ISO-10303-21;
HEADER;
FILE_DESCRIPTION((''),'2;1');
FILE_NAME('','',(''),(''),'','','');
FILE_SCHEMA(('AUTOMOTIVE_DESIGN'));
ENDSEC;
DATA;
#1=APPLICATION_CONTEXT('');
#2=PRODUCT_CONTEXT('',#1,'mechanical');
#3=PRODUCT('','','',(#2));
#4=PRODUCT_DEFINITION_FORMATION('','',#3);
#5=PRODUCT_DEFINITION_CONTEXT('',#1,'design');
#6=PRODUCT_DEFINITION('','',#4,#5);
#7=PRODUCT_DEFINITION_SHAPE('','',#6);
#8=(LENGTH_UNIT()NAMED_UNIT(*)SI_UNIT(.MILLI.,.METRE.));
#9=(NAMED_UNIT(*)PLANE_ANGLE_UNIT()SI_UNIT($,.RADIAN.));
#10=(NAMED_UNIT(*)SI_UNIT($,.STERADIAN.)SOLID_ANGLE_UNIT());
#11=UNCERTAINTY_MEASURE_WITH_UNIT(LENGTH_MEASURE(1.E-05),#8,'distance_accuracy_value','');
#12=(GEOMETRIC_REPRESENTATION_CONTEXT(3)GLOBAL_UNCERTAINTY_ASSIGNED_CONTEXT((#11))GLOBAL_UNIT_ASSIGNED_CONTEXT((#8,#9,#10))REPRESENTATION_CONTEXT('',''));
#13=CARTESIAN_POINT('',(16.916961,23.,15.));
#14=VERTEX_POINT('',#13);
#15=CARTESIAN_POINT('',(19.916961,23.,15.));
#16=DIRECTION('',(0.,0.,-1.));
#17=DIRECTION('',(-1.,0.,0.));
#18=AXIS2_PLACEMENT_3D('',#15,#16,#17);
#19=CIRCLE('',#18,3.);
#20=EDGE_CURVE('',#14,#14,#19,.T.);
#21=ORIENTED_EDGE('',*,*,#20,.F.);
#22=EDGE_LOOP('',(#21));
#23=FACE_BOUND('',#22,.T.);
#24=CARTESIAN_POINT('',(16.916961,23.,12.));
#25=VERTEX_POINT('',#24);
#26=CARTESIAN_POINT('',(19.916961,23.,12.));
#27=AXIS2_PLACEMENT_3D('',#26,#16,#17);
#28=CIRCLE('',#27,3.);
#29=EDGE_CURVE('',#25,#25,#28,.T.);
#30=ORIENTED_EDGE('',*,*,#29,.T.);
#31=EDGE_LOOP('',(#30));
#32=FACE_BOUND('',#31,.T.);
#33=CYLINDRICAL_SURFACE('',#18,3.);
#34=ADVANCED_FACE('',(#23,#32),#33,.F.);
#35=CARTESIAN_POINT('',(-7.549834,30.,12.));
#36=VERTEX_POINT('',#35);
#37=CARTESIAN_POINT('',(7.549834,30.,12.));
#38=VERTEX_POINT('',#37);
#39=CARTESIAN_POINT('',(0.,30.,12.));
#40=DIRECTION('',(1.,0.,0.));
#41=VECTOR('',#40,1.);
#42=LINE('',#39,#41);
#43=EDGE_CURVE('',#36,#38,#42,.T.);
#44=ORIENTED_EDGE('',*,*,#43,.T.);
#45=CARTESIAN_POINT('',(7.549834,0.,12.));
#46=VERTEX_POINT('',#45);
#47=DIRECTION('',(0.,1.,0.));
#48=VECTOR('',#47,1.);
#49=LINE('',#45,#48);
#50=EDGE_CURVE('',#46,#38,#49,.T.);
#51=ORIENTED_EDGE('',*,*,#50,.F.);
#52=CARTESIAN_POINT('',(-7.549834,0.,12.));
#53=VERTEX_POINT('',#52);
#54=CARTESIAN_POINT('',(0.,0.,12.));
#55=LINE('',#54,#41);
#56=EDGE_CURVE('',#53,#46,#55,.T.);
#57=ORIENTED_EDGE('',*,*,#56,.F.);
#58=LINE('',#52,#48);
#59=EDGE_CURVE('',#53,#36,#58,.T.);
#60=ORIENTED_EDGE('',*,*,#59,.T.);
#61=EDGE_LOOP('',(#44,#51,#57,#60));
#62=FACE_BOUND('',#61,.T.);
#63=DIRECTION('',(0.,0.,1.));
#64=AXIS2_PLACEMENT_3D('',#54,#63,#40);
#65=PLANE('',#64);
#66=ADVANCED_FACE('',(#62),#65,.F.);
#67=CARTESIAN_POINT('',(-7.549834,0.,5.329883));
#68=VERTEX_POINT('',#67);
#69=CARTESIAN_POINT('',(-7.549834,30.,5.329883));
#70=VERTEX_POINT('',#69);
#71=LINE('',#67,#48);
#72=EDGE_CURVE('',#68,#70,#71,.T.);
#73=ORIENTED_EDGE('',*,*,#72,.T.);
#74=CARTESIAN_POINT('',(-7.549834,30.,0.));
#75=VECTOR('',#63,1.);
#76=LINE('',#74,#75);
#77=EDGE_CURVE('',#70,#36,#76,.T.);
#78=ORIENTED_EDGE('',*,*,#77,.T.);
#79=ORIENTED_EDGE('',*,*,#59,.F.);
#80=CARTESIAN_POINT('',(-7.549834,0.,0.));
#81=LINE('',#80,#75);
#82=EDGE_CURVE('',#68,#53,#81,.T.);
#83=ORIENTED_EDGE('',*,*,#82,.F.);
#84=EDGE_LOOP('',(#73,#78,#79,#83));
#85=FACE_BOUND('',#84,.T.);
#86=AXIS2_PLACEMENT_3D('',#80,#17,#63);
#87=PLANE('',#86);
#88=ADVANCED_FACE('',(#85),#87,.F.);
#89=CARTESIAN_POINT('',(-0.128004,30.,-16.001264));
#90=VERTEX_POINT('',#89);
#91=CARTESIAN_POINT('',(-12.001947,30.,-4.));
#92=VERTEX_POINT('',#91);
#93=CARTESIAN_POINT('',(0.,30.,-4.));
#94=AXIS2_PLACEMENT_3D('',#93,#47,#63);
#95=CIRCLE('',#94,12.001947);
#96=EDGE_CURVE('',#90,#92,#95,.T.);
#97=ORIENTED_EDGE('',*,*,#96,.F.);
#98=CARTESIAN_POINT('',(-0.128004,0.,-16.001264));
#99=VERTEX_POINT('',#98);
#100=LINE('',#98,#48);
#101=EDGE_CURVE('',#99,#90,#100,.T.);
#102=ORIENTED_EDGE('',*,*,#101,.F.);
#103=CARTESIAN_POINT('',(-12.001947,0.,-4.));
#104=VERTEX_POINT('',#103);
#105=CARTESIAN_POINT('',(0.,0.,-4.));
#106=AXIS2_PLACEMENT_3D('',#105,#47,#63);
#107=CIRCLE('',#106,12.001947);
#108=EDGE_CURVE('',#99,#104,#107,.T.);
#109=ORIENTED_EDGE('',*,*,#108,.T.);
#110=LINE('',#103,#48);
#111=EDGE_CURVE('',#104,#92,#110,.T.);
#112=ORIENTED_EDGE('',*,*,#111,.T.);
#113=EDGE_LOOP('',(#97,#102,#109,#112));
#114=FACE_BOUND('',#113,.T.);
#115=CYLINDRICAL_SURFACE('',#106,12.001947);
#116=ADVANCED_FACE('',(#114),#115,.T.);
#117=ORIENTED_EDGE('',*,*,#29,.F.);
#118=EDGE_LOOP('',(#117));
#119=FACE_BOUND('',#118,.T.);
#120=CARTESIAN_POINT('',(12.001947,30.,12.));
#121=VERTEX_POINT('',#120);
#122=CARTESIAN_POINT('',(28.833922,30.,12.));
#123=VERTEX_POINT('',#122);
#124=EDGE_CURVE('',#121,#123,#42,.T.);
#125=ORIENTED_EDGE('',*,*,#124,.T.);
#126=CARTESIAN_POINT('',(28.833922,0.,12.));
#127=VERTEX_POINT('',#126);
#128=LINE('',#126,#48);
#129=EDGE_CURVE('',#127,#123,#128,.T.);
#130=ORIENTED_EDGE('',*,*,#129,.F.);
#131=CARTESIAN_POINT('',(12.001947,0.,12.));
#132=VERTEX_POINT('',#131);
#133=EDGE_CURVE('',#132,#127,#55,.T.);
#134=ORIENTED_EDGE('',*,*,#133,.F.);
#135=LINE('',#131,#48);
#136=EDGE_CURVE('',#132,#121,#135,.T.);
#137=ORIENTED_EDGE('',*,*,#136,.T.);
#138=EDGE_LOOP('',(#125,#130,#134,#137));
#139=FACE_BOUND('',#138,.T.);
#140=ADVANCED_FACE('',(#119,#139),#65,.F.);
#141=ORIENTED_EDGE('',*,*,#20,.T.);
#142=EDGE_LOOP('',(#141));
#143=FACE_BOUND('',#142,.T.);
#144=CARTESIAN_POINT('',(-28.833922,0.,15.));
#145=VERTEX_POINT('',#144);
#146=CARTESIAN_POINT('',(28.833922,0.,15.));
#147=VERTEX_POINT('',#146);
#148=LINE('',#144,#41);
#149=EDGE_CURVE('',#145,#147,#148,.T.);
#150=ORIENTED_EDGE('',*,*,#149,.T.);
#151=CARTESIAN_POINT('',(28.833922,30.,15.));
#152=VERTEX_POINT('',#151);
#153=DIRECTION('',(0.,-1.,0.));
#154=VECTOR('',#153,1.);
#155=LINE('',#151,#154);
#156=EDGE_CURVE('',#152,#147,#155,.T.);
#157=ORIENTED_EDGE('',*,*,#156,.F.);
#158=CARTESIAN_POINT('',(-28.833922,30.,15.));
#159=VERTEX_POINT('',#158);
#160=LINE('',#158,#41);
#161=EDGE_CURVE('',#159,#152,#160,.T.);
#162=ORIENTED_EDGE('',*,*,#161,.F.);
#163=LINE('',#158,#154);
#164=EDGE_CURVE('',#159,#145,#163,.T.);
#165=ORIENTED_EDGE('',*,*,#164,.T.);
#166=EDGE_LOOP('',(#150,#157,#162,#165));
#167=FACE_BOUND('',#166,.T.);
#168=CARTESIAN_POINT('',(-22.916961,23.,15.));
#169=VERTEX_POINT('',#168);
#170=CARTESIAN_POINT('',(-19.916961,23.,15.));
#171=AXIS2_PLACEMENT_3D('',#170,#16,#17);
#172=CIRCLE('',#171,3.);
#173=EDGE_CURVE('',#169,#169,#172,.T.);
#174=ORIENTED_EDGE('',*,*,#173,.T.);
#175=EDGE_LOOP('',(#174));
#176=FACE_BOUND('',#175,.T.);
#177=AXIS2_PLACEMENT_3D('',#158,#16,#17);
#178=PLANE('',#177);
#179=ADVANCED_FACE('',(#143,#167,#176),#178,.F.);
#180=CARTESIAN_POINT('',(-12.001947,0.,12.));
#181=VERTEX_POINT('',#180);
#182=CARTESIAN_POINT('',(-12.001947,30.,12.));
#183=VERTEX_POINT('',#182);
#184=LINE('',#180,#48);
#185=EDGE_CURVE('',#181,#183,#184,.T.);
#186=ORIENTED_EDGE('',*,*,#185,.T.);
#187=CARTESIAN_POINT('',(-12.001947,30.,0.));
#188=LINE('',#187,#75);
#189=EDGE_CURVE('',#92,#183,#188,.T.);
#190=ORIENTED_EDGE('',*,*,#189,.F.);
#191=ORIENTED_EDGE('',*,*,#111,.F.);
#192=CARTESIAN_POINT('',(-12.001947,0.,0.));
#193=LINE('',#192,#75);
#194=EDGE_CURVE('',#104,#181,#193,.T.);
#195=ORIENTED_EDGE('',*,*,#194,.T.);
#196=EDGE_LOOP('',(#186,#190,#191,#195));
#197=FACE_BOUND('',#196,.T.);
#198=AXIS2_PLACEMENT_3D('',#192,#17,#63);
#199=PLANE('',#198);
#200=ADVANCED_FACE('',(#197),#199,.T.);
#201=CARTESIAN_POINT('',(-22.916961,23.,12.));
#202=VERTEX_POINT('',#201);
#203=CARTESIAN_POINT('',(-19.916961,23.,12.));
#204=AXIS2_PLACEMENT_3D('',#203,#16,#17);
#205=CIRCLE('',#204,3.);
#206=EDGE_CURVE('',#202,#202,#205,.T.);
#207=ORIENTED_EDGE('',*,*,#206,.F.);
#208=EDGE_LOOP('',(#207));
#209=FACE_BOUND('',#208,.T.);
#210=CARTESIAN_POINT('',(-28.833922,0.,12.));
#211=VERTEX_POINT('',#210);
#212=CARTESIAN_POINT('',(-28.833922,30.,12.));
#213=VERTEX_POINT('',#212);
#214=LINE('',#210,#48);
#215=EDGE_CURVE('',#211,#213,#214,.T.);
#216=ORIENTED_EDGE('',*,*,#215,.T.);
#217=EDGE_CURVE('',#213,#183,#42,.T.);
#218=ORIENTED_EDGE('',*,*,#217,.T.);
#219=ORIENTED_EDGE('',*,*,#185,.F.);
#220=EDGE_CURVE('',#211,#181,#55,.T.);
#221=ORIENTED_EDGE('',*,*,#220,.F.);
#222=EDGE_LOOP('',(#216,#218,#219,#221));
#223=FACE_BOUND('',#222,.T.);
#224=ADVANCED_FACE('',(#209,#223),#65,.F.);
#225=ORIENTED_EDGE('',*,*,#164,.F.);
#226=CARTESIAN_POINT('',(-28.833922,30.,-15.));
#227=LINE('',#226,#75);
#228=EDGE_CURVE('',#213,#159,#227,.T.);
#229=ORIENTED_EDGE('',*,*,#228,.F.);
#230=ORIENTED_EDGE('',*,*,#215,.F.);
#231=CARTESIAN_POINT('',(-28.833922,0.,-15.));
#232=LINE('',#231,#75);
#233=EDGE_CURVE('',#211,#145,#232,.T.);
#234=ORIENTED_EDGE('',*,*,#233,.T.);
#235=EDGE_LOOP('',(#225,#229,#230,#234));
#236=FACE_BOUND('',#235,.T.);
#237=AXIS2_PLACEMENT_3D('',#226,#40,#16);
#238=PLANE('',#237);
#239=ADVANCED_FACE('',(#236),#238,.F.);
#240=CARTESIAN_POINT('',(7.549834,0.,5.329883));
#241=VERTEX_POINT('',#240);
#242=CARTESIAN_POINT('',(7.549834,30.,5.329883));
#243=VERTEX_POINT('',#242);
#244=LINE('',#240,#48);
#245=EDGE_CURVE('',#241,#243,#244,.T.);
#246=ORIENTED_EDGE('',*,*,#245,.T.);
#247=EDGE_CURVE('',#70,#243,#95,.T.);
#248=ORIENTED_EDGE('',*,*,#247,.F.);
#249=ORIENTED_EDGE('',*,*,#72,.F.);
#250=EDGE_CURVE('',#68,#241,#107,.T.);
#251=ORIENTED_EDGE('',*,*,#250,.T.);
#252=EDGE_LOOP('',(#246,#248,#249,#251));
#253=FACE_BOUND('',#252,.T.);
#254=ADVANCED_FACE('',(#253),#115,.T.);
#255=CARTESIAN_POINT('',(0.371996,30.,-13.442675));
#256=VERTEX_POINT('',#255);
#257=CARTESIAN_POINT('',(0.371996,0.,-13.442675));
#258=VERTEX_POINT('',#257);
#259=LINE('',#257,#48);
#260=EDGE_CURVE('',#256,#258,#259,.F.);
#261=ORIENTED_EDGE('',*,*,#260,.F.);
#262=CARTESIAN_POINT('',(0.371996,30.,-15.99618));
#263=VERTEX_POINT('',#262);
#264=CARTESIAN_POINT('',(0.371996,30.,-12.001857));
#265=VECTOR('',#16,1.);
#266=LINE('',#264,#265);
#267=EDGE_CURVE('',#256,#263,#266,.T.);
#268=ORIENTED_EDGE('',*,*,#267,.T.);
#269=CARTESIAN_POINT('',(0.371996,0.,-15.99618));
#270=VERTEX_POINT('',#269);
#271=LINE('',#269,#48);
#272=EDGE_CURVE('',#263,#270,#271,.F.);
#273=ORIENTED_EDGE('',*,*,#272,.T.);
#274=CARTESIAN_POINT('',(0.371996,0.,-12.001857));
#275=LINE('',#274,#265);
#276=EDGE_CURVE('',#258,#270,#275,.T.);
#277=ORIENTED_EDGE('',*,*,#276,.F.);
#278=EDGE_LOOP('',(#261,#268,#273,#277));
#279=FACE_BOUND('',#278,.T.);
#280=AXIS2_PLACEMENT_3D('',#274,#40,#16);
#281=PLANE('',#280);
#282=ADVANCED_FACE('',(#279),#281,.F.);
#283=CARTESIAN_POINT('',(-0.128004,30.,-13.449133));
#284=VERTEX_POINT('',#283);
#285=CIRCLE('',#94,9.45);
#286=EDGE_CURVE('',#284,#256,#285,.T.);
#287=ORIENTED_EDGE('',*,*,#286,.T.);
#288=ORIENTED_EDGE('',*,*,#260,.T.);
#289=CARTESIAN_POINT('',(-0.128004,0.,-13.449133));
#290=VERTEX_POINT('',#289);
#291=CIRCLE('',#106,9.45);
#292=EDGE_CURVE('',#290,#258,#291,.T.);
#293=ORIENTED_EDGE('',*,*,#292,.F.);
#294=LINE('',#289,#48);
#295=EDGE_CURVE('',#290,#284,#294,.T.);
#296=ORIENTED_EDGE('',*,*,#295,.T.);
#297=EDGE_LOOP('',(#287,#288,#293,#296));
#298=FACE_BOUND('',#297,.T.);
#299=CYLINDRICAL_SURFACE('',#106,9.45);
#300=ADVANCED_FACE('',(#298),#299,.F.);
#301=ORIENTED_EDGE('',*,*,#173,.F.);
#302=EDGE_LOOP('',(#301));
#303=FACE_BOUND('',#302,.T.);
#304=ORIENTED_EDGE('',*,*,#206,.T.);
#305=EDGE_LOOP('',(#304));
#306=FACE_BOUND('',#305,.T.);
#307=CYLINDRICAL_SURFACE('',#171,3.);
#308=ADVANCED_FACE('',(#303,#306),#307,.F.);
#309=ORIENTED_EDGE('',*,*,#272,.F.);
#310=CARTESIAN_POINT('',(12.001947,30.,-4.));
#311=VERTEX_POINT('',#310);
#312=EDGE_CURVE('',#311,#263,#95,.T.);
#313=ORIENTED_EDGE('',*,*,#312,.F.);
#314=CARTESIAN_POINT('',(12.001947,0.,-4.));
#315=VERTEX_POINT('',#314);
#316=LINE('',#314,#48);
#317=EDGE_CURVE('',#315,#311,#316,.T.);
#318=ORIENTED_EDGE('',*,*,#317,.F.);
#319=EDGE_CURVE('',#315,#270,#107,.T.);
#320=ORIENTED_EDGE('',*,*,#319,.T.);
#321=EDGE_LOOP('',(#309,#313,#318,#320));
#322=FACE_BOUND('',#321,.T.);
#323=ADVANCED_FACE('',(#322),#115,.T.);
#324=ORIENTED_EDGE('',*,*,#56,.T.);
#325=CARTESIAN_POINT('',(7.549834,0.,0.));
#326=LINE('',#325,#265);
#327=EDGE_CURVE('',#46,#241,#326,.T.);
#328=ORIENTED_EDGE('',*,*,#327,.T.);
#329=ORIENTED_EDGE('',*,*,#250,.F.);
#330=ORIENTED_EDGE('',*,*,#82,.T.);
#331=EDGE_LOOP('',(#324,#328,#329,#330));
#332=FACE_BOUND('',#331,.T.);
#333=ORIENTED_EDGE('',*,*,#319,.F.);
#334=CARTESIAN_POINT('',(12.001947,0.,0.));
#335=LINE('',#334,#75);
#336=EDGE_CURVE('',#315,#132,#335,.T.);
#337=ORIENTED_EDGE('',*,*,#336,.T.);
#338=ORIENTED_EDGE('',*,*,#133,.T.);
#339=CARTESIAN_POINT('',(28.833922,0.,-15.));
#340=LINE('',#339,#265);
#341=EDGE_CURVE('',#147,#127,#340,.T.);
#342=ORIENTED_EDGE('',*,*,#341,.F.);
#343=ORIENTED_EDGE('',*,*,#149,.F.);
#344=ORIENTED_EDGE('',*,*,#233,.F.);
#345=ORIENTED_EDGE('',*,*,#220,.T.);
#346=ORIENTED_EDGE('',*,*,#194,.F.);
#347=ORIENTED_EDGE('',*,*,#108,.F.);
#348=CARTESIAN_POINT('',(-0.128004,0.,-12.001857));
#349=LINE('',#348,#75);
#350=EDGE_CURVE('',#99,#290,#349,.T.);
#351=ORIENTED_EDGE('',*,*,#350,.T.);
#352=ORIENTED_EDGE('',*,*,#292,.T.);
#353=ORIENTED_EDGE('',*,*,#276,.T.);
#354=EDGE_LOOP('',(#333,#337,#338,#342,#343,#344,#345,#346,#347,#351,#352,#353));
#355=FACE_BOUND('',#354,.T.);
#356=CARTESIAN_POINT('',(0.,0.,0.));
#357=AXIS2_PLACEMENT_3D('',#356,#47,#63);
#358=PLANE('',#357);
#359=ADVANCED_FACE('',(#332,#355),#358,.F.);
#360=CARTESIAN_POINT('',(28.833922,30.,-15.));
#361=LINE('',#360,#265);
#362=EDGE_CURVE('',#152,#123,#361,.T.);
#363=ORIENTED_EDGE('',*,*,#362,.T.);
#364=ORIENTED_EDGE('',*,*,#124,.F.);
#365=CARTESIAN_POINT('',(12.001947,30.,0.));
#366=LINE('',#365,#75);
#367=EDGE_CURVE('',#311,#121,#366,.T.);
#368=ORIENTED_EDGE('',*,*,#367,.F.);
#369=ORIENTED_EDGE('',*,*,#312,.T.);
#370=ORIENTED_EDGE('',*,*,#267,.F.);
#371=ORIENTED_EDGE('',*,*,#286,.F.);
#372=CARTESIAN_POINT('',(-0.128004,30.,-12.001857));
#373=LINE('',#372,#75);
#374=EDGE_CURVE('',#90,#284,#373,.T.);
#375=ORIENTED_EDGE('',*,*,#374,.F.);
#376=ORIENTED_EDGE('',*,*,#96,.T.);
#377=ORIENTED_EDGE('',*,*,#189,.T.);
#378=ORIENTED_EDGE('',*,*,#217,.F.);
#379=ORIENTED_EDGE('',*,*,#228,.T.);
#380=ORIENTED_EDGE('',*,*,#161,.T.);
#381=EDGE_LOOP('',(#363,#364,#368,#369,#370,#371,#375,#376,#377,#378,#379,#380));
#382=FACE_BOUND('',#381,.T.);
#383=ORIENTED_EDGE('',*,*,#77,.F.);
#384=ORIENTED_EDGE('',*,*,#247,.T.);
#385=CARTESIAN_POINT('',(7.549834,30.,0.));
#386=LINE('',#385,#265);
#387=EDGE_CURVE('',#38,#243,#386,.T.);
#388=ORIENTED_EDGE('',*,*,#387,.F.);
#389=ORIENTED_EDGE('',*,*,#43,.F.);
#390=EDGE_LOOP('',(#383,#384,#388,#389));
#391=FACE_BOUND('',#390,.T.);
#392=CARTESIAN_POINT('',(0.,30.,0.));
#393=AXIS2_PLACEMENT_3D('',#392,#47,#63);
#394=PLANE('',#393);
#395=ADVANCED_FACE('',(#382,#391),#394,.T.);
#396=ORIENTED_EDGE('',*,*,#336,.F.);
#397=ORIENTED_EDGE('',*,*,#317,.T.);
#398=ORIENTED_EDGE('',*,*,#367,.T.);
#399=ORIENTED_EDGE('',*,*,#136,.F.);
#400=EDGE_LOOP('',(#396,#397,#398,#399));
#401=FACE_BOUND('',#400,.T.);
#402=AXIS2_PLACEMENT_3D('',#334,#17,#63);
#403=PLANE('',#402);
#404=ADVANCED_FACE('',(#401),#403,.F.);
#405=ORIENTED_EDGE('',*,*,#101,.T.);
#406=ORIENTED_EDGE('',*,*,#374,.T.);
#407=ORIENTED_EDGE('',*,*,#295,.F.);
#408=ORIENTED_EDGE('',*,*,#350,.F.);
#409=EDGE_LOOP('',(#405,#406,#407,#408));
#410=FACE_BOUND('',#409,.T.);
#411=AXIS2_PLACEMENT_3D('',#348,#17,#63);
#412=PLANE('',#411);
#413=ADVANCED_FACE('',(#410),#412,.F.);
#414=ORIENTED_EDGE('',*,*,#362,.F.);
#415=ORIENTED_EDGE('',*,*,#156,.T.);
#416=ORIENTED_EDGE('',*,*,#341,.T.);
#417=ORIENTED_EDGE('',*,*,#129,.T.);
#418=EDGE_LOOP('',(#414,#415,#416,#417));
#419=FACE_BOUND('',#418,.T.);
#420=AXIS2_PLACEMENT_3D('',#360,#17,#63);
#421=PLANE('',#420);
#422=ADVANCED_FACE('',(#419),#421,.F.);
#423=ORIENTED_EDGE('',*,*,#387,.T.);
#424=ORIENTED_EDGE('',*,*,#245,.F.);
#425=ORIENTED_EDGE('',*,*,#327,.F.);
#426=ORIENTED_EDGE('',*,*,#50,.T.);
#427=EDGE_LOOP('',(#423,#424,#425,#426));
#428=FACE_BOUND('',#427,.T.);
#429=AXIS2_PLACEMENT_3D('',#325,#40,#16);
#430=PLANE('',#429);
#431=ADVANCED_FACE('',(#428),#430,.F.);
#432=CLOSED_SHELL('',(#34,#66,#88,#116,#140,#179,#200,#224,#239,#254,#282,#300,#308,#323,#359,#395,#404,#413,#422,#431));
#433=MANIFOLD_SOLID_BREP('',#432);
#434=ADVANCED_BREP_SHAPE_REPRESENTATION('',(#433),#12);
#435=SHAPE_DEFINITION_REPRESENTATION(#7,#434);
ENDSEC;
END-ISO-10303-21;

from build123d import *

# Parameters (mm, degrees)
SKETCH1_W           = 57.667844522
SKETCH1_H           = 30
BOSS_EXTRUDE1_DEPTH = 30
SKETCH2_R           = 4
CUT_EXTRUDE2_DEPTH  = 40
SKETCH4_R           = 8
SKETCH4_R_2         = 4
CUT_EXTRUDE3_DEPTH  = 31
SKETCH5_R           = 3
CUT_EXTRUDE4_DEPTH  = 4
SKETCH6_R           = 9.45
CUT_EXTRUDE6_DEPTH  = 31
BOSS_EXTRUDE2_DEPTH = 30
SKETCH8_W           = 0.5
SKETCH8_H           = 6.199937256
CUT_EXTRUDE7_DEPTH  = 31


with BuildPart() as part:
    # Sketch1 → Boss-Extrude1 (new body)
    with BuildSketch(Plane(origin=(0, 0, 0), x_dir=(1, 0, 0), z_dir=(0, 1, 0))):
        Rectangle(SKETCH1_W, SKETCH1_H)
    extrude(amount=BOSS_EXTRUDE1_DEPTH)

    # Sketch2 → Cut-Extrude2 (cut)
    with BuildSketch(Plane(origin=(0, 30, 0), x_dir=(1, 0, 0), z_dir=(0, 1, 0))):
        with Locations((0, 4)):
            Circle(SKETCH2_R)
    extrude(amount=-CUT_EXTRUDE2_DEPTH, mode=Mode.SUBTRACT)

    # Sketch4 → Cut-Extrude3 (cut, through all)
    with BuildSketch(Plane(origin=(0, 30, 0), x_dir=(1, 0, 0), z_dir=(0, 1, 0))):
        with Locations((0, 4)):
            Circle(SKETCH4_R)
        with Locations((0, 4)):
            Circle(SKETCH4_R_2, mode=Mode.SUBTRACT)
        with BuildLine():
            ThreePointArc((-11, 4), (-7.778174609, 11.778174577), (-4.5e-08, 15))
            Line((-4.5e-08, 15), (-28.833922261, 15))
            Line((-28.833922261, 15), (-28.833922261, -12))
            Line((-28.833922261, -12), (-11, -12))
            Line((-11, -12), (-11, 4))
        make_face()
        with BuildLine():
            ThreePointArc((-4.5e-08, 15), (7.778174577, 11.778174609), (11, 4))
            Line((11, 4), (11, -12))
            Line((11, -12), (28.833922261, -12))
            Line((28.833922261, -12), (28.833922261, 15))
            Line((28.833922261, 15), (-4.5e-08, 15))
        make_face()
        with BuildLine():
            Line((7.549834435, -12), (7.549834435, -4))
            ThreePointArc((7.549834435, -4), (0, -7), (-7.549834435, -4))
            Line((-7.549834435, -4), (-7.549834435, -12))
            Line((-7.549834435, -12), (7.549834435, -12))
        make_face()
    extrude(amount=-CUT_EXTRUDE3_DEPTH, mode=Mode.SUBTRACT)

    # Sketch5 → Cut-Extrude4 (cut, through all)
    with BuildSketch(Plane(origin=(0, 0, 12), x_dir=(-1, 0, 0), z_dir=(0, 0, -1))):
        with Locations((-19.916961131, 23)):
            Circle(SKETCH5_R)
        with Locations((19.916961131, 23)):
            Circle(SKETCH5_R)
    extrude(amount=-CUT_EXTRUDE4_DEPTH, mode=Mode.SUBTRACT)

    # Sketch6 → Cut-Extrude6 (cut, through all)
    with BuildSketch(Plane(origin=(0, 30, 0), x_dir=(1, 0, 0), z_dir=(0, 1, 0))):
        with Locations((0, 4)):
            Circle(SKETCH6_R)
    extrude(amount=-CUT_EXTRUDE6_DEPTH, mode=Mode.SUBTRACT)

    # Sketch7 → Boss-Extrude2 (add, through all)
    with BuildSketch(Plane(origin=(0, 30, 0), x_dir=(1, 0, 0), z_dir=(0, 1, 0))):
        with BuildLine():
            Line((11, 4), (11, -12))
            Line((11, -12), (12.001946675, -12))
            Line((12.001946675, -12), (12.001946675, 4))
            ThreePointArc((12.001946675, 4), (0, 16.001946675), (-12.001946675, 4))
            Line((-12.001946675, 4), (-12.001946675, -12))
            Line((-12.001946675, -12), (-11, -12))
            Line((-11, -12), (-11, 4))
            ThreePointArc((-11, 4), (0, 15), (11, 4))
        make_face()
        with BuildLine():
            ThreePointArc((-7.549834435, -5.329883385), (0, -8.001946675), (7.549834435, -5.329883385))
            Line((7.549834435, -5.329883385), (7.549834435, -4))
            ThreePointArc((7.549834435, -4), (0, -7), (-7.549834435, -4))
            Line((-7.549834435, -4), (-7.549834435, -5.329883385))
        make_face()
    extrude(amount=-BOSS_EXTRUDE2_DEPTH)

    # Sketch8 → Cut-Extrude7 (cut, through all)
    with BuildSketch(Plane(origin=(0, 30, 0), x_dir=(1, 0, 0), z_dir=(0, 1, 0))):
        with Locations((0.121996235, 15.101825576)):
            Rectangle(SKETCH8_W, SKETCH8_H)
    extrude(amount=-CUT_EXTRUDE7_DEPTH, mode=Mode.SUBTRACT)


solid = part.part
